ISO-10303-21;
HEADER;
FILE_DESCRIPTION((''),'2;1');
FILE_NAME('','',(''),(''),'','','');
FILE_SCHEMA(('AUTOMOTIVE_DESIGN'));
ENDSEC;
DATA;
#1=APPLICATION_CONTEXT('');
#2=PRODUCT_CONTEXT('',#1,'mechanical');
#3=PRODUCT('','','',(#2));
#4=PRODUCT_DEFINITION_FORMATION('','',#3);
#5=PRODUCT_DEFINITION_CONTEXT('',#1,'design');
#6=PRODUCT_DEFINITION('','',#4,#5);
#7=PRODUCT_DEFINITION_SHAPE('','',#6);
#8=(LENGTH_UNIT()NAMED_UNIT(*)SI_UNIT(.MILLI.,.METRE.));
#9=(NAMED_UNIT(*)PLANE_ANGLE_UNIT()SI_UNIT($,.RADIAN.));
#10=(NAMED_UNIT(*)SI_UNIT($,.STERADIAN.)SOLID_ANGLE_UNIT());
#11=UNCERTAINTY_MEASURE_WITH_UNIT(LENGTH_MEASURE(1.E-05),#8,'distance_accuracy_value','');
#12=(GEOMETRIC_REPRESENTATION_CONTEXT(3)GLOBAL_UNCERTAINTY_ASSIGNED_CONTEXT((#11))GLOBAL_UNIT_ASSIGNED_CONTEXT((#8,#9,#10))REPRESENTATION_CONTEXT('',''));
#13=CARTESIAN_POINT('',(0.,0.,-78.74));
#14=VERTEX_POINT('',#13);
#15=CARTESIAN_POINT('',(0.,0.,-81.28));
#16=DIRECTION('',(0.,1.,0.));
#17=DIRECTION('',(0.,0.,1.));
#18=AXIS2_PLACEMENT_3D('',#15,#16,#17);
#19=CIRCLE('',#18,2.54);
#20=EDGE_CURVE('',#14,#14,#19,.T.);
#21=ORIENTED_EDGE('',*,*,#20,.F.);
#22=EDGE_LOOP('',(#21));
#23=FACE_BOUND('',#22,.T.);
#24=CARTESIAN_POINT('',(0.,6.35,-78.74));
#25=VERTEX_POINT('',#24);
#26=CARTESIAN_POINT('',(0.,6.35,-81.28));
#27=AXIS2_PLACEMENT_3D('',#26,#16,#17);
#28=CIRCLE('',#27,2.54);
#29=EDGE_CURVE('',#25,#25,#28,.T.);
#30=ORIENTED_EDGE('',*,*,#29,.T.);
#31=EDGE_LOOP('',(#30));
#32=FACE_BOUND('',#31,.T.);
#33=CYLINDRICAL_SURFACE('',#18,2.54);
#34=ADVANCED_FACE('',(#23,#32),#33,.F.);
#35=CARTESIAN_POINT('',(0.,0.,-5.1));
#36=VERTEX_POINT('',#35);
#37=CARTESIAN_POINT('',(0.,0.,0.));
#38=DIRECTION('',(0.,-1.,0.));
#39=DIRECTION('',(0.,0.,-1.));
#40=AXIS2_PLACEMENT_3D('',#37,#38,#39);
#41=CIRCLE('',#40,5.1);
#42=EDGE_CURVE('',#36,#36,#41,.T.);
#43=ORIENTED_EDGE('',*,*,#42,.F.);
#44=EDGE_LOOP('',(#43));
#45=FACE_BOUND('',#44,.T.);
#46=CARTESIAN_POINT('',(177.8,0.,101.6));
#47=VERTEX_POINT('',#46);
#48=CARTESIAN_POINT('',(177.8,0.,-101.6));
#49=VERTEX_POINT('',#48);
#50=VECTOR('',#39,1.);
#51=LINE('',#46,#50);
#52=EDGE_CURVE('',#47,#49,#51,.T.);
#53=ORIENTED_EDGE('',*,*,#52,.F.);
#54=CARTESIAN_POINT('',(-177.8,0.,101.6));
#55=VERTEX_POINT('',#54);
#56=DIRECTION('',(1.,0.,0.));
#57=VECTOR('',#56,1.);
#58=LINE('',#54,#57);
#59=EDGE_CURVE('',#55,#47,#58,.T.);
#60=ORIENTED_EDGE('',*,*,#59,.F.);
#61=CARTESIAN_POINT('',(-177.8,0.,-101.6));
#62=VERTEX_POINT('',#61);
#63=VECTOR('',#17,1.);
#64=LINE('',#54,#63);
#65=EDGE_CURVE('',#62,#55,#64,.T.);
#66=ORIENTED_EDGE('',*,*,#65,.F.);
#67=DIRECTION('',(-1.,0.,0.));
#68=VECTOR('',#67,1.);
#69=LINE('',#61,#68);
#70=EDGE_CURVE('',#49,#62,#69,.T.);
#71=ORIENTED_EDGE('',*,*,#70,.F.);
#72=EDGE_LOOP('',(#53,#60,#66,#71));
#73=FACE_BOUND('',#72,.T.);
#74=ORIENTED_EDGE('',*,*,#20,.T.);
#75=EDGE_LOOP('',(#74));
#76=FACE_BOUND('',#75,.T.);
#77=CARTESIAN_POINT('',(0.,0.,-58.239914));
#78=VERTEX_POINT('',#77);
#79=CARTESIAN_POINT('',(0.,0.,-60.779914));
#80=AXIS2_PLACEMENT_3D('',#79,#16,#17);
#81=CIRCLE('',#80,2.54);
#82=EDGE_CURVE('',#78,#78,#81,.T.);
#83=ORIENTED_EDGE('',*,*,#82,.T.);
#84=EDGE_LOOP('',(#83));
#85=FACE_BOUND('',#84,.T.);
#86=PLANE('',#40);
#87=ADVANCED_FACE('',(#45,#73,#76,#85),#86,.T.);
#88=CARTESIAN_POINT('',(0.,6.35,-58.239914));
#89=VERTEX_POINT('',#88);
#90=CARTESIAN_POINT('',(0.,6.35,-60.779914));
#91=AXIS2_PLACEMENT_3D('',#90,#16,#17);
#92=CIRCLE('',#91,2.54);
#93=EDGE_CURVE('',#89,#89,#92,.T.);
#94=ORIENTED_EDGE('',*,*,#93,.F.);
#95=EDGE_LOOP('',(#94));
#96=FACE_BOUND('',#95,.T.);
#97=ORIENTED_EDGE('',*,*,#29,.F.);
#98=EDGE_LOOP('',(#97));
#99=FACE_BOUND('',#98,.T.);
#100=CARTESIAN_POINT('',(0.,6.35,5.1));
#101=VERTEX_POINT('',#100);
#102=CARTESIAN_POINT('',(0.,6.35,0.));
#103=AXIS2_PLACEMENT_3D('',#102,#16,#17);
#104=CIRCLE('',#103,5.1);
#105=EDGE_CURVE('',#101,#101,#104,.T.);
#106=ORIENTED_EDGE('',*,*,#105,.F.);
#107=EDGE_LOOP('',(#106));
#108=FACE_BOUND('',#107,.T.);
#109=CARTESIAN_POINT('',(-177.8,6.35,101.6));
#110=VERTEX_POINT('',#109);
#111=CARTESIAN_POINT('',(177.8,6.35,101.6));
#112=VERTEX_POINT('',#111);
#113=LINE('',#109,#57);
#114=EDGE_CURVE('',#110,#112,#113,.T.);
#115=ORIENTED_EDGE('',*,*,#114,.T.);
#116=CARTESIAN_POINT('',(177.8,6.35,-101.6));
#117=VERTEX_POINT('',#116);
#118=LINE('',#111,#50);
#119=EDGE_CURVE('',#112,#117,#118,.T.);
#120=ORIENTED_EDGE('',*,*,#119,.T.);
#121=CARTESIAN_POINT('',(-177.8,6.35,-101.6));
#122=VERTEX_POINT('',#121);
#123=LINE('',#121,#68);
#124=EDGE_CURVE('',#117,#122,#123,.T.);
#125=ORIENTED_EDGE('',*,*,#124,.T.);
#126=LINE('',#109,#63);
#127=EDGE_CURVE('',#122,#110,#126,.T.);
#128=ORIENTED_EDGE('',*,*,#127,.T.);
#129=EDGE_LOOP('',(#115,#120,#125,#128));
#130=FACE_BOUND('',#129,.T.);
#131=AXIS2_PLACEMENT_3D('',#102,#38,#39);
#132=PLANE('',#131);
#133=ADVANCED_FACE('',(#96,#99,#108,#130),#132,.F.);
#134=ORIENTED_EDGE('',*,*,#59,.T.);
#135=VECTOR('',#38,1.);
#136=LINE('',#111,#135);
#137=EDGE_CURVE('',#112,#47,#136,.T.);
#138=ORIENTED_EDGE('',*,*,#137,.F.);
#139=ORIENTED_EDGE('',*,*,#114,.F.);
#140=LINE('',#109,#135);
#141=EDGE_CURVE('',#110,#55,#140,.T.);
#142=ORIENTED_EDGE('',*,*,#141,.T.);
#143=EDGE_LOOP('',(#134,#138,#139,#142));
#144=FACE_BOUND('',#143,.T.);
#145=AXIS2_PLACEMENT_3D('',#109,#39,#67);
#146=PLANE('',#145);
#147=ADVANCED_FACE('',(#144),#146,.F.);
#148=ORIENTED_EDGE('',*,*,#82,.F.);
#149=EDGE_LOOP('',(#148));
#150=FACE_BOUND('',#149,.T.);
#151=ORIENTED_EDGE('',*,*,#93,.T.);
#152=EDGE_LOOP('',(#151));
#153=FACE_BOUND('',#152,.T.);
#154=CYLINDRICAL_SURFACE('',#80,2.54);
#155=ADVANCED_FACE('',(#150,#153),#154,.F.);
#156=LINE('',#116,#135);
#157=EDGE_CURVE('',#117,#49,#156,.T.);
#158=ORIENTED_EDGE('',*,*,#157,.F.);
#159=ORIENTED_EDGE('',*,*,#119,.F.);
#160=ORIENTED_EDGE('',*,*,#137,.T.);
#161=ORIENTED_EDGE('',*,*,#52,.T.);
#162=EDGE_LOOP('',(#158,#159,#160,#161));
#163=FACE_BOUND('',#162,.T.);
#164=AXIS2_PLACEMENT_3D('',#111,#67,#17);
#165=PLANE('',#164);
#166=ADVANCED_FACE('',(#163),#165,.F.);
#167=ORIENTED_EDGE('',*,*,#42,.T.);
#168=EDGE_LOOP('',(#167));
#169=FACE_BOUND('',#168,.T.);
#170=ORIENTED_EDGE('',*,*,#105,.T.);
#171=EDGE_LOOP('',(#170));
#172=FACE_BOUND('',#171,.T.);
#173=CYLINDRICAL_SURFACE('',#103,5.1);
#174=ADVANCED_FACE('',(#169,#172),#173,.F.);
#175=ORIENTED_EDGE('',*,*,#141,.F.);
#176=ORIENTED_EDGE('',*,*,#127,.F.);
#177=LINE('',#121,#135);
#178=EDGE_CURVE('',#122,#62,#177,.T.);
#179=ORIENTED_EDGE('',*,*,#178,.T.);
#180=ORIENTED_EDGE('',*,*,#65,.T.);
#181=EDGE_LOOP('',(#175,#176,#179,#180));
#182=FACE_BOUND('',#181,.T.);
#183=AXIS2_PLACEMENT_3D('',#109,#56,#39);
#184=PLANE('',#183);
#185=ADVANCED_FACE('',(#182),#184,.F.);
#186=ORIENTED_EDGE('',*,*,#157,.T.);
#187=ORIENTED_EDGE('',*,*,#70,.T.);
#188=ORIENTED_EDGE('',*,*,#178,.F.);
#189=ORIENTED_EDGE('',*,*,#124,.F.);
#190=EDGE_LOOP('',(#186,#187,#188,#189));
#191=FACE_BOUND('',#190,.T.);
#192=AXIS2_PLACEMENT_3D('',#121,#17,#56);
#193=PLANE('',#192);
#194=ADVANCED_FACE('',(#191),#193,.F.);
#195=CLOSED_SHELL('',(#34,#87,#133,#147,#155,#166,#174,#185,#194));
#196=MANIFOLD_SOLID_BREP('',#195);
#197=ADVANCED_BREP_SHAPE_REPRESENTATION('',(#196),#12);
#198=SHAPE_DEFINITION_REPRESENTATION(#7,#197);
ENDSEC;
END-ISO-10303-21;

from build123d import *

# Parameters (mm, degrees)
SKETCH2_W                         = 355.6
SKETCH2_H                         = 203.2
BOSS_EXTRUDE1_DEPTH               = 6.35
SKETCH3_R                         = 2.54
CUT_EXTRUDE1_DEPTH                = 205.879775722
TAP_DRILL_FOR_M12X1_75_TAP1_D     = 10.2
TAP_DRILL_FOR_M12X1_75_TAP1_DEPTH = 19.05
TAP_DRILL_FOR_M12X1_75_TAP1_TIP   = 3.064389157


with BuildPart() as part:
    # Sketch2 → Boss-Extrude1 (new body)
    with BuildSketch(Plane(origin=(0, 0, 0), x_dir=(1, 0, 0), z_dir=(0, 1, 0))):
        Rectangle(SKETCH2_W, SKETCH2_H)
    extrude(amount=BOSS_EXTRUDE1_DEPTH)

    # Sketch3 → Cut-Extrude1 (cut, through all)
    with BuildSketch(Plane(origin=(0, 6.35, 0), x_dir=(1, 0, 0), z_dir=(0, 1, 0))):
        with Locations(Location((0, 81.28, 0), (0, 0, 270))):
            Circle(SKETCH3_R)
        with Locations(Location((0, 60.779914, 0), (0, 0, 270))):
            Circle(SKETCH3_R)
    extrude(amount=-CUT_EXTRUDE1_DEPTH, mode=Mode.SUBTRACT)

    # Tap Drill for M12x1.75 Tap1
    with Locations(Plane(origin=(0, 6.35, 0), x_dir=(1, 0, 0), z_dir=(0, 1, 0))):
        with Locations((0, 0)):
            Hole(TAP_DRILL_FOR_M12X1_75_TAP1_D / 2, depth=TAP_DRILL_FOR_M12X1_75_TAP1_DEPTH)
            with Locations((0, 0, -(TAP_DRILL_FOR_M12X1_75_TAP1_DEPTH + TAP_DRILL_FOR_M12X1_75_TAP1_TIP / 2))):  # 118° drill point
                Cone(0, TAP_DRILL_FOR_M12X1_75_TAP1_D / 2, TAP_DRILL_FOR_M12X1_75_TAP1_TIP, mode=Mode.SUBTRACT)


solid = part.part
